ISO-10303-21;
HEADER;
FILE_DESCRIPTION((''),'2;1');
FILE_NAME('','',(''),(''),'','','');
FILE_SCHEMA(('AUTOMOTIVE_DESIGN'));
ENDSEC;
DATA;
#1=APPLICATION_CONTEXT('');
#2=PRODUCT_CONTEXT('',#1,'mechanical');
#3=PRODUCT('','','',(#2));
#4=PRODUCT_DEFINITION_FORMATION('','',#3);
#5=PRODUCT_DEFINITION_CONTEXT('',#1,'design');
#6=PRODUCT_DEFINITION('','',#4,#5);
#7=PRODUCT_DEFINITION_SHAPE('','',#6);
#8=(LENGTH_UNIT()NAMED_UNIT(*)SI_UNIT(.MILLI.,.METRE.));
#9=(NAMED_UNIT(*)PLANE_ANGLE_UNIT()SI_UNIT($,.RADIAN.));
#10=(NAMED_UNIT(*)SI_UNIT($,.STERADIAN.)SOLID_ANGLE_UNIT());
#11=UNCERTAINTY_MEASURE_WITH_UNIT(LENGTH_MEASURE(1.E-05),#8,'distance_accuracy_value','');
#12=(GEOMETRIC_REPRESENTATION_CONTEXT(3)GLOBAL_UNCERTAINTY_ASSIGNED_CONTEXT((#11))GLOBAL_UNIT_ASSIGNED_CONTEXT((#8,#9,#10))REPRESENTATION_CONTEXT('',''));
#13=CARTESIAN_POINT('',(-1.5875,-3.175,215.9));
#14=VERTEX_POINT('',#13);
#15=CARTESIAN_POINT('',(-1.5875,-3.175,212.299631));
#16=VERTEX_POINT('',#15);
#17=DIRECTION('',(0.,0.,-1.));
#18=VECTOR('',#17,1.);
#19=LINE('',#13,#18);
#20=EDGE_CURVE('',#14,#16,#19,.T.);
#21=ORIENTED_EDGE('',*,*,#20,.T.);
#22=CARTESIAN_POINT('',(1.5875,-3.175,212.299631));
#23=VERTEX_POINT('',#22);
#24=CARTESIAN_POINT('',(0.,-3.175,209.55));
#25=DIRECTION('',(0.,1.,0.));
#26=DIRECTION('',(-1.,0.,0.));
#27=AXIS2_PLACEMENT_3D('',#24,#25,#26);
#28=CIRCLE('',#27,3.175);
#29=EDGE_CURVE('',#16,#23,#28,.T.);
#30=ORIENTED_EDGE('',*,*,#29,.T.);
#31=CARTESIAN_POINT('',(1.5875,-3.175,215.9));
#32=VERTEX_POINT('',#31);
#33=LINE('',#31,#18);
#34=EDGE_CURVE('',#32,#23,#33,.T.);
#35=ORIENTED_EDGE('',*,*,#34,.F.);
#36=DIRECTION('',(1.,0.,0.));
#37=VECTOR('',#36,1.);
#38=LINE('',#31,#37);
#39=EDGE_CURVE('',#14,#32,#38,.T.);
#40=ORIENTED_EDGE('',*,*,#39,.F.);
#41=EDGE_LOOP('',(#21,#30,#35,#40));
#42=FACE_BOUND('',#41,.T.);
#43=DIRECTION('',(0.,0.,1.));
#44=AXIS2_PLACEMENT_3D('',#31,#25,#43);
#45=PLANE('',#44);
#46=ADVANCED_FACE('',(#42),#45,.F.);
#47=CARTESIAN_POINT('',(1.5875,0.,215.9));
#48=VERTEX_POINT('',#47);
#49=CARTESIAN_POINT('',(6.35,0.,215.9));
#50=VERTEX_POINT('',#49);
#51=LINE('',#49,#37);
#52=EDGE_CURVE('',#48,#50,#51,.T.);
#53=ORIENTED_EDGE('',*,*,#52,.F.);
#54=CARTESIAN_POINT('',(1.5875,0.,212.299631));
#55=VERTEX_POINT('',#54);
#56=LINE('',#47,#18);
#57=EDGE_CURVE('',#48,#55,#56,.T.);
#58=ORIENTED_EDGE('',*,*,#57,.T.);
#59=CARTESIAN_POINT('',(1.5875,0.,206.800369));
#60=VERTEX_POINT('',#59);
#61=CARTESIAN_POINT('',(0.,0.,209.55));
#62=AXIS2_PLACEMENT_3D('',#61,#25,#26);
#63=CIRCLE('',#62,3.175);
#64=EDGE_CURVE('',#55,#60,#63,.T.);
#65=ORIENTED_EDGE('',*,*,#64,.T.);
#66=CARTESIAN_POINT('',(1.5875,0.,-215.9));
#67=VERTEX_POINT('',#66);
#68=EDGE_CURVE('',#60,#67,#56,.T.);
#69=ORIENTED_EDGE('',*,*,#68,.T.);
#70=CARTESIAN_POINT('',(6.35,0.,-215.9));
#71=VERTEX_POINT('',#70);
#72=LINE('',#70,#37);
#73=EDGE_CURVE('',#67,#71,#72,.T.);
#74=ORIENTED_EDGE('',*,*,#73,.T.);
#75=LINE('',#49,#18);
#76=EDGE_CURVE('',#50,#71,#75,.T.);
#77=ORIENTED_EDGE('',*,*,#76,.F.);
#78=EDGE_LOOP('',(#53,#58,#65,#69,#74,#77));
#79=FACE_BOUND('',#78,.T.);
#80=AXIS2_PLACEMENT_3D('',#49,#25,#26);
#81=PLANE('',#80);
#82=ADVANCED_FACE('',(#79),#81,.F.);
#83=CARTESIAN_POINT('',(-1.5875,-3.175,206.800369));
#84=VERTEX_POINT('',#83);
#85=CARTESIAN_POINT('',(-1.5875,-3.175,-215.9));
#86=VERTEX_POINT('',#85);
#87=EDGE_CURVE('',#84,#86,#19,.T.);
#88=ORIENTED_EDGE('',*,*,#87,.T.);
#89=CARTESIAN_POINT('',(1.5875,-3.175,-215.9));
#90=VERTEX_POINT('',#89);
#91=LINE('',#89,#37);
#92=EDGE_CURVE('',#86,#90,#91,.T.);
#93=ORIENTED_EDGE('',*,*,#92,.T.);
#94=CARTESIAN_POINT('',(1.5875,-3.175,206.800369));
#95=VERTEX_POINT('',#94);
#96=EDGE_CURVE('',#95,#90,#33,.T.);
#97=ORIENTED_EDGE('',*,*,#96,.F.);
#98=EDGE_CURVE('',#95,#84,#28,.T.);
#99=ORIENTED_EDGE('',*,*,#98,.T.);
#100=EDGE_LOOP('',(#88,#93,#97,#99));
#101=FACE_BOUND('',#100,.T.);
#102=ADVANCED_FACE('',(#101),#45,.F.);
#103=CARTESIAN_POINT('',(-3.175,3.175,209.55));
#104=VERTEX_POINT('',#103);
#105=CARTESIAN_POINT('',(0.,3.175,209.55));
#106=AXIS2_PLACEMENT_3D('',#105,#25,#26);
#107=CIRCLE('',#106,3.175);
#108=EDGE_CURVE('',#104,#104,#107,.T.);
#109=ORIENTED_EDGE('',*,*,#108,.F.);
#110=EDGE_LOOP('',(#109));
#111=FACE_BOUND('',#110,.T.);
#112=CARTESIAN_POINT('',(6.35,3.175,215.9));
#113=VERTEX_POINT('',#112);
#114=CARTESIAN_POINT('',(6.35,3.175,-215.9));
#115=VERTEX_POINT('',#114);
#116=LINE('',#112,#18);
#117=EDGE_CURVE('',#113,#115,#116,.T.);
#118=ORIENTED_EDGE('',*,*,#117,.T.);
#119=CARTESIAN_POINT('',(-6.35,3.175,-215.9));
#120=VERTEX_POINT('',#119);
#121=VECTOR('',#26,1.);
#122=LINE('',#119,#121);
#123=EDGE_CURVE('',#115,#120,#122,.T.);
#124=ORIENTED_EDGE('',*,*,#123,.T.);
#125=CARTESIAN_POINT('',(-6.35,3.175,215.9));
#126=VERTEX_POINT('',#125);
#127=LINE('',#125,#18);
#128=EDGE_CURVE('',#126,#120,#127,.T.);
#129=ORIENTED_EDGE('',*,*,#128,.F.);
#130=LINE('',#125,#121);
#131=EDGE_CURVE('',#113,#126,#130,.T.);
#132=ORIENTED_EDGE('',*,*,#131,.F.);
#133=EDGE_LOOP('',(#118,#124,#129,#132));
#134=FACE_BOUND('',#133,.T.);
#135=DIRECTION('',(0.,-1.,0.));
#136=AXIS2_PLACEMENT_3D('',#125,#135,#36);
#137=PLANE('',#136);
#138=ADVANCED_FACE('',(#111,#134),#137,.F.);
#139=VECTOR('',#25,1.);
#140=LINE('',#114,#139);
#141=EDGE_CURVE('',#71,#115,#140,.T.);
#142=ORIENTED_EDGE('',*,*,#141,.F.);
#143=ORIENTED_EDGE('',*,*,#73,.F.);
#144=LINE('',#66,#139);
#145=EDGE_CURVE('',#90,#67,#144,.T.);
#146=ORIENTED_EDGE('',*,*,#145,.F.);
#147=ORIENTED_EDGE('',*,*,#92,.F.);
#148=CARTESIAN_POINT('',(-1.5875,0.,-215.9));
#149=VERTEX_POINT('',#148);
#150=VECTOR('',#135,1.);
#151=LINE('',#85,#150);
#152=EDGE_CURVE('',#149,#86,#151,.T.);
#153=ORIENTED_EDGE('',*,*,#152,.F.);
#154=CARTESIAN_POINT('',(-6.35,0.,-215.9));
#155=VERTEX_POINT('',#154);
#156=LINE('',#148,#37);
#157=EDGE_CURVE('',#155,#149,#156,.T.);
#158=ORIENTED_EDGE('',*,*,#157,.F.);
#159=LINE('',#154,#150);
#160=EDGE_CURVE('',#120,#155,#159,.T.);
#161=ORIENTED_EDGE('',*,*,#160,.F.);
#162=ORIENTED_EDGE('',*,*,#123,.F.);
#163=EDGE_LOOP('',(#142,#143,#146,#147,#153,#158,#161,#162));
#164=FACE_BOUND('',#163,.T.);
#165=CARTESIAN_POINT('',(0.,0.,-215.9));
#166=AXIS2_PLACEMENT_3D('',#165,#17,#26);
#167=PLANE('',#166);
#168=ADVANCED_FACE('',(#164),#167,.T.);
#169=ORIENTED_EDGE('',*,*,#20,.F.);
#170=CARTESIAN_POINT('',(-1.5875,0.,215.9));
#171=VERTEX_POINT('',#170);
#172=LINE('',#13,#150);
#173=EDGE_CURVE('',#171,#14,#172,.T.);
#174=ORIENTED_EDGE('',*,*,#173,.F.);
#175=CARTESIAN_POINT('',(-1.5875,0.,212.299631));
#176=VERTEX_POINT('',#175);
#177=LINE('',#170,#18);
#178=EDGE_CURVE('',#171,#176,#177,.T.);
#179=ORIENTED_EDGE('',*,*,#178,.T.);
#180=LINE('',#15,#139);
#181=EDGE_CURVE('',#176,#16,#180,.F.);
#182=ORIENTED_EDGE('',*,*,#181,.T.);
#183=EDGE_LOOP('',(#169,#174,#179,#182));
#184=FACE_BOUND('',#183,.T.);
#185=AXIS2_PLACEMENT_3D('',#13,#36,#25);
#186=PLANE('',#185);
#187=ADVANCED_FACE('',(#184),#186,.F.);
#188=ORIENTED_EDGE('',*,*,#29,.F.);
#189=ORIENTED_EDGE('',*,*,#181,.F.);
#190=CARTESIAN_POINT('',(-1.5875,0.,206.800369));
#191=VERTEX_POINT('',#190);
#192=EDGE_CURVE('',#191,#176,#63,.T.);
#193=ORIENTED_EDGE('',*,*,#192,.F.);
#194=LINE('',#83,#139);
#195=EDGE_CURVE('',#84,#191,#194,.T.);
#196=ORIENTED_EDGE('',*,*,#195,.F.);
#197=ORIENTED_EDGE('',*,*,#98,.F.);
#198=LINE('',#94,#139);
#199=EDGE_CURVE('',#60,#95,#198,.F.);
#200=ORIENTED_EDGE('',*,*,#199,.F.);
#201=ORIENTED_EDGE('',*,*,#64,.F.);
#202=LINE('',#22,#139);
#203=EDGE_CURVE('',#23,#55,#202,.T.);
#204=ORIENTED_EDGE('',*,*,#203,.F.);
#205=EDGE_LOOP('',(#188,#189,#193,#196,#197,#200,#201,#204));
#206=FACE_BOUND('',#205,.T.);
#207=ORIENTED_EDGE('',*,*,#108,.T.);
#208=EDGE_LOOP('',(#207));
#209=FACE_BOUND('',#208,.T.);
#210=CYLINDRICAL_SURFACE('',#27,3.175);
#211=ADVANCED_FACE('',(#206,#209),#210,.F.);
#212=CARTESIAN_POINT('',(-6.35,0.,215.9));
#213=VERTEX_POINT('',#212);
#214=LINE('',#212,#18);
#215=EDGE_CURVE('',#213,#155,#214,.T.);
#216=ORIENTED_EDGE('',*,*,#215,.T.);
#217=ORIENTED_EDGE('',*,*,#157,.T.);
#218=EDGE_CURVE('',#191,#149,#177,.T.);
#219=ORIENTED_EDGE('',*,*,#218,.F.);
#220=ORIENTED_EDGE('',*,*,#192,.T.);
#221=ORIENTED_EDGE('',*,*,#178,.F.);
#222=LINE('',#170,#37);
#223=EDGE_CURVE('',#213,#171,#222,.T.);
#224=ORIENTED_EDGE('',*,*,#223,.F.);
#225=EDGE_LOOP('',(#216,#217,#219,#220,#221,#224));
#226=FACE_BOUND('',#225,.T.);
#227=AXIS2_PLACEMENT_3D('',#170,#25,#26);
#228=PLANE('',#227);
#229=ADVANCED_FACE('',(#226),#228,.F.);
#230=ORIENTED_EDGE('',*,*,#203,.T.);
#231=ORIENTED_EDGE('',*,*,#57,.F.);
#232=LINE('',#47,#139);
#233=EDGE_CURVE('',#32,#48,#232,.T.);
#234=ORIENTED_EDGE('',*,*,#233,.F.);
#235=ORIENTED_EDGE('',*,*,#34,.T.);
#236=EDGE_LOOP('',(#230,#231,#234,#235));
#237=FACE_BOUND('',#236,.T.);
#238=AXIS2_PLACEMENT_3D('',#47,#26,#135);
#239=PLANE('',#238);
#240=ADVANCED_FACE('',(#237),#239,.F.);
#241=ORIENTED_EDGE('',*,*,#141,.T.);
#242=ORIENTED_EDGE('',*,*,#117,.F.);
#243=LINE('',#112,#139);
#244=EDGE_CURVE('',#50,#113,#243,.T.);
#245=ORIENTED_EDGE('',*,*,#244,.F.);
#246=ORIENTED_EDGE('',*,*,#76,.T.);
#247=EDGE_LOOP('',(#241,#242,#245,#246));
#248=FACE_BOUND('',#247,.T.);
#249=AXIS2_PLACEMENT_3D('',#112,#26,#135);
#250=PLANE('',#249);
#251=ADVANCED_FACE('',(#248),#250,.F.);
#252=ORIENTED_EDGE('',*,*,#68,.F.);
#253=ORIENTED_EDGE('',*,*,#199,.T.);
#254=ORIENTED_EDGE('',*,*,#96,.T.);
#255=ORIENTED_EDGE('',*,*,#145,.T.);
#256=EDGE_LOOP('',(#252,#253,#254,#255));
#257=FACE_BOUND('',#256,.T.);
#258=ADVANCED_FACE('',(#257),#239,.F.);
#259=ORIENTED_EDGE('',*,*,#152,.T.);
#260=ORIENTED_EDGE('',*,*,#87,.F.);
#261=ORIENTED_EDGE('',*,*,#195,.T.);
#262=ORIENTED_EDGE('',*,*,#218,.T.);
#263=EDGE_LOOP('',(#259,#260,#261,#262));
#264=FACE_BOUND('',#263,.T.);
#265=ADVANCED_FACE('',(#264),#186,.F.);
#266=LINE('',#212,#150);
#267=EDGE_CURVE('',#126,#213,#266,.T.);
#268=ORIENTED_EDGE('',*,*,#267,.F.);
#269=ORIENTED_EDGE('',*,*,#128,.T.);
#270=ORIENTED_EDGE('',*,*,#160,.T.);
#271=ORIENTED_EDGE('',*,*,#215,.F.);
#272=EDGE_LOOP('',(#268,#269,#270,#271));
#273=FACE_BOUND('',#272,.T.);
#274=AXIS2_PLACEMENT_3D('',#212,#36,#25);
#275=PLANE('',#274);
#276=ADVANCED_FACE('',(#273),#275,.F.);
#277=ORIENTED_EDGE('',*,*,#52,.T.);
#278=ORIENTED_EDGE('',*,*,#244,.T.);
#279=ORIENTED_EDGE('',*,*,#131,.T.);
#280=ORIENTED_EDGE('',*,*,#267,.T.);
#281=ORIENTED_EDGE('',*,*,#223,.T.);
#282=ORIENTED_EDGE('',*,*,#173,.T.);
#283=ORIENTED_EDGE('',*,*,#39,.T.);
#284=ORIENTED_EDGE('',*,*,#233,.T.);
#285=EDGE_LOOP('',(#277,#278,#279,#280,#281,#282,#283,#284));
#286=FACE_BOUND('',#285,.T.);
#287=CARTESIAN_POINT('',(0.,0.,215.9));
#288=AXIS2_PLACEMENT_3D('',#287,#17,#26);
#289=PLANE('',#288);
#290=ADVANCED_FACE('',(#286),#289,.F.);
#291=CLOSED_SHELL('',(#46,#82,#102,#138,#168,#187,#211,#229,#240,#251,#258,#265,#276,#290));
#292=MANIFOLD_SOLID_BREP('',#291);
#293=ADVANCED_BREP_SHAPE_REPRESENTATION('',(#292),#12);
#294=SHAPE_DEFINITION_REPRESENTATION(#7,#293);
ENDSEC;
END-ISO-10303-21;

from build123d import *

# Parameters (mm, degrees)
BOSS_EXTRUDE1_DEPTH = 215.9
SKETCH4_R           = 3.175
CUT_EXTRUDE1_DEPTH  = 217.086683995


with BuildPart() as part:
    # Sketch3 → Boss-Extrude1 (new, symmetric)
    with BuildSketch(Plane.XY):
        Polygon((-6.35, 3.175), (6.35, 3.175), (6.35, 0), (1.5875, 0), (1.5875, -3.175), (-1.5875, -3.175), (-1.5875, 0), (-6.35, 0), align=None)
    extrude(amount=BOSS_EXTRUDE1_DEPTH, both=True)

    # Sketch4 → Cut-Extrude1 (cut, through all)
    with BuildSketch(Plane(origin=(0, 3.175, 0), x_dir=(1, 0, 0), z_dir=(0, 1, 0))):
        with Locations(Location((0, -209.55, 0), (0, 0, 180))):
            Circle(SKETCH4_R)
    extrude(amount=-CUT_EXTRUDE1_DEPTH, mode=Mode.SUBTRACT)


solid = part.part
